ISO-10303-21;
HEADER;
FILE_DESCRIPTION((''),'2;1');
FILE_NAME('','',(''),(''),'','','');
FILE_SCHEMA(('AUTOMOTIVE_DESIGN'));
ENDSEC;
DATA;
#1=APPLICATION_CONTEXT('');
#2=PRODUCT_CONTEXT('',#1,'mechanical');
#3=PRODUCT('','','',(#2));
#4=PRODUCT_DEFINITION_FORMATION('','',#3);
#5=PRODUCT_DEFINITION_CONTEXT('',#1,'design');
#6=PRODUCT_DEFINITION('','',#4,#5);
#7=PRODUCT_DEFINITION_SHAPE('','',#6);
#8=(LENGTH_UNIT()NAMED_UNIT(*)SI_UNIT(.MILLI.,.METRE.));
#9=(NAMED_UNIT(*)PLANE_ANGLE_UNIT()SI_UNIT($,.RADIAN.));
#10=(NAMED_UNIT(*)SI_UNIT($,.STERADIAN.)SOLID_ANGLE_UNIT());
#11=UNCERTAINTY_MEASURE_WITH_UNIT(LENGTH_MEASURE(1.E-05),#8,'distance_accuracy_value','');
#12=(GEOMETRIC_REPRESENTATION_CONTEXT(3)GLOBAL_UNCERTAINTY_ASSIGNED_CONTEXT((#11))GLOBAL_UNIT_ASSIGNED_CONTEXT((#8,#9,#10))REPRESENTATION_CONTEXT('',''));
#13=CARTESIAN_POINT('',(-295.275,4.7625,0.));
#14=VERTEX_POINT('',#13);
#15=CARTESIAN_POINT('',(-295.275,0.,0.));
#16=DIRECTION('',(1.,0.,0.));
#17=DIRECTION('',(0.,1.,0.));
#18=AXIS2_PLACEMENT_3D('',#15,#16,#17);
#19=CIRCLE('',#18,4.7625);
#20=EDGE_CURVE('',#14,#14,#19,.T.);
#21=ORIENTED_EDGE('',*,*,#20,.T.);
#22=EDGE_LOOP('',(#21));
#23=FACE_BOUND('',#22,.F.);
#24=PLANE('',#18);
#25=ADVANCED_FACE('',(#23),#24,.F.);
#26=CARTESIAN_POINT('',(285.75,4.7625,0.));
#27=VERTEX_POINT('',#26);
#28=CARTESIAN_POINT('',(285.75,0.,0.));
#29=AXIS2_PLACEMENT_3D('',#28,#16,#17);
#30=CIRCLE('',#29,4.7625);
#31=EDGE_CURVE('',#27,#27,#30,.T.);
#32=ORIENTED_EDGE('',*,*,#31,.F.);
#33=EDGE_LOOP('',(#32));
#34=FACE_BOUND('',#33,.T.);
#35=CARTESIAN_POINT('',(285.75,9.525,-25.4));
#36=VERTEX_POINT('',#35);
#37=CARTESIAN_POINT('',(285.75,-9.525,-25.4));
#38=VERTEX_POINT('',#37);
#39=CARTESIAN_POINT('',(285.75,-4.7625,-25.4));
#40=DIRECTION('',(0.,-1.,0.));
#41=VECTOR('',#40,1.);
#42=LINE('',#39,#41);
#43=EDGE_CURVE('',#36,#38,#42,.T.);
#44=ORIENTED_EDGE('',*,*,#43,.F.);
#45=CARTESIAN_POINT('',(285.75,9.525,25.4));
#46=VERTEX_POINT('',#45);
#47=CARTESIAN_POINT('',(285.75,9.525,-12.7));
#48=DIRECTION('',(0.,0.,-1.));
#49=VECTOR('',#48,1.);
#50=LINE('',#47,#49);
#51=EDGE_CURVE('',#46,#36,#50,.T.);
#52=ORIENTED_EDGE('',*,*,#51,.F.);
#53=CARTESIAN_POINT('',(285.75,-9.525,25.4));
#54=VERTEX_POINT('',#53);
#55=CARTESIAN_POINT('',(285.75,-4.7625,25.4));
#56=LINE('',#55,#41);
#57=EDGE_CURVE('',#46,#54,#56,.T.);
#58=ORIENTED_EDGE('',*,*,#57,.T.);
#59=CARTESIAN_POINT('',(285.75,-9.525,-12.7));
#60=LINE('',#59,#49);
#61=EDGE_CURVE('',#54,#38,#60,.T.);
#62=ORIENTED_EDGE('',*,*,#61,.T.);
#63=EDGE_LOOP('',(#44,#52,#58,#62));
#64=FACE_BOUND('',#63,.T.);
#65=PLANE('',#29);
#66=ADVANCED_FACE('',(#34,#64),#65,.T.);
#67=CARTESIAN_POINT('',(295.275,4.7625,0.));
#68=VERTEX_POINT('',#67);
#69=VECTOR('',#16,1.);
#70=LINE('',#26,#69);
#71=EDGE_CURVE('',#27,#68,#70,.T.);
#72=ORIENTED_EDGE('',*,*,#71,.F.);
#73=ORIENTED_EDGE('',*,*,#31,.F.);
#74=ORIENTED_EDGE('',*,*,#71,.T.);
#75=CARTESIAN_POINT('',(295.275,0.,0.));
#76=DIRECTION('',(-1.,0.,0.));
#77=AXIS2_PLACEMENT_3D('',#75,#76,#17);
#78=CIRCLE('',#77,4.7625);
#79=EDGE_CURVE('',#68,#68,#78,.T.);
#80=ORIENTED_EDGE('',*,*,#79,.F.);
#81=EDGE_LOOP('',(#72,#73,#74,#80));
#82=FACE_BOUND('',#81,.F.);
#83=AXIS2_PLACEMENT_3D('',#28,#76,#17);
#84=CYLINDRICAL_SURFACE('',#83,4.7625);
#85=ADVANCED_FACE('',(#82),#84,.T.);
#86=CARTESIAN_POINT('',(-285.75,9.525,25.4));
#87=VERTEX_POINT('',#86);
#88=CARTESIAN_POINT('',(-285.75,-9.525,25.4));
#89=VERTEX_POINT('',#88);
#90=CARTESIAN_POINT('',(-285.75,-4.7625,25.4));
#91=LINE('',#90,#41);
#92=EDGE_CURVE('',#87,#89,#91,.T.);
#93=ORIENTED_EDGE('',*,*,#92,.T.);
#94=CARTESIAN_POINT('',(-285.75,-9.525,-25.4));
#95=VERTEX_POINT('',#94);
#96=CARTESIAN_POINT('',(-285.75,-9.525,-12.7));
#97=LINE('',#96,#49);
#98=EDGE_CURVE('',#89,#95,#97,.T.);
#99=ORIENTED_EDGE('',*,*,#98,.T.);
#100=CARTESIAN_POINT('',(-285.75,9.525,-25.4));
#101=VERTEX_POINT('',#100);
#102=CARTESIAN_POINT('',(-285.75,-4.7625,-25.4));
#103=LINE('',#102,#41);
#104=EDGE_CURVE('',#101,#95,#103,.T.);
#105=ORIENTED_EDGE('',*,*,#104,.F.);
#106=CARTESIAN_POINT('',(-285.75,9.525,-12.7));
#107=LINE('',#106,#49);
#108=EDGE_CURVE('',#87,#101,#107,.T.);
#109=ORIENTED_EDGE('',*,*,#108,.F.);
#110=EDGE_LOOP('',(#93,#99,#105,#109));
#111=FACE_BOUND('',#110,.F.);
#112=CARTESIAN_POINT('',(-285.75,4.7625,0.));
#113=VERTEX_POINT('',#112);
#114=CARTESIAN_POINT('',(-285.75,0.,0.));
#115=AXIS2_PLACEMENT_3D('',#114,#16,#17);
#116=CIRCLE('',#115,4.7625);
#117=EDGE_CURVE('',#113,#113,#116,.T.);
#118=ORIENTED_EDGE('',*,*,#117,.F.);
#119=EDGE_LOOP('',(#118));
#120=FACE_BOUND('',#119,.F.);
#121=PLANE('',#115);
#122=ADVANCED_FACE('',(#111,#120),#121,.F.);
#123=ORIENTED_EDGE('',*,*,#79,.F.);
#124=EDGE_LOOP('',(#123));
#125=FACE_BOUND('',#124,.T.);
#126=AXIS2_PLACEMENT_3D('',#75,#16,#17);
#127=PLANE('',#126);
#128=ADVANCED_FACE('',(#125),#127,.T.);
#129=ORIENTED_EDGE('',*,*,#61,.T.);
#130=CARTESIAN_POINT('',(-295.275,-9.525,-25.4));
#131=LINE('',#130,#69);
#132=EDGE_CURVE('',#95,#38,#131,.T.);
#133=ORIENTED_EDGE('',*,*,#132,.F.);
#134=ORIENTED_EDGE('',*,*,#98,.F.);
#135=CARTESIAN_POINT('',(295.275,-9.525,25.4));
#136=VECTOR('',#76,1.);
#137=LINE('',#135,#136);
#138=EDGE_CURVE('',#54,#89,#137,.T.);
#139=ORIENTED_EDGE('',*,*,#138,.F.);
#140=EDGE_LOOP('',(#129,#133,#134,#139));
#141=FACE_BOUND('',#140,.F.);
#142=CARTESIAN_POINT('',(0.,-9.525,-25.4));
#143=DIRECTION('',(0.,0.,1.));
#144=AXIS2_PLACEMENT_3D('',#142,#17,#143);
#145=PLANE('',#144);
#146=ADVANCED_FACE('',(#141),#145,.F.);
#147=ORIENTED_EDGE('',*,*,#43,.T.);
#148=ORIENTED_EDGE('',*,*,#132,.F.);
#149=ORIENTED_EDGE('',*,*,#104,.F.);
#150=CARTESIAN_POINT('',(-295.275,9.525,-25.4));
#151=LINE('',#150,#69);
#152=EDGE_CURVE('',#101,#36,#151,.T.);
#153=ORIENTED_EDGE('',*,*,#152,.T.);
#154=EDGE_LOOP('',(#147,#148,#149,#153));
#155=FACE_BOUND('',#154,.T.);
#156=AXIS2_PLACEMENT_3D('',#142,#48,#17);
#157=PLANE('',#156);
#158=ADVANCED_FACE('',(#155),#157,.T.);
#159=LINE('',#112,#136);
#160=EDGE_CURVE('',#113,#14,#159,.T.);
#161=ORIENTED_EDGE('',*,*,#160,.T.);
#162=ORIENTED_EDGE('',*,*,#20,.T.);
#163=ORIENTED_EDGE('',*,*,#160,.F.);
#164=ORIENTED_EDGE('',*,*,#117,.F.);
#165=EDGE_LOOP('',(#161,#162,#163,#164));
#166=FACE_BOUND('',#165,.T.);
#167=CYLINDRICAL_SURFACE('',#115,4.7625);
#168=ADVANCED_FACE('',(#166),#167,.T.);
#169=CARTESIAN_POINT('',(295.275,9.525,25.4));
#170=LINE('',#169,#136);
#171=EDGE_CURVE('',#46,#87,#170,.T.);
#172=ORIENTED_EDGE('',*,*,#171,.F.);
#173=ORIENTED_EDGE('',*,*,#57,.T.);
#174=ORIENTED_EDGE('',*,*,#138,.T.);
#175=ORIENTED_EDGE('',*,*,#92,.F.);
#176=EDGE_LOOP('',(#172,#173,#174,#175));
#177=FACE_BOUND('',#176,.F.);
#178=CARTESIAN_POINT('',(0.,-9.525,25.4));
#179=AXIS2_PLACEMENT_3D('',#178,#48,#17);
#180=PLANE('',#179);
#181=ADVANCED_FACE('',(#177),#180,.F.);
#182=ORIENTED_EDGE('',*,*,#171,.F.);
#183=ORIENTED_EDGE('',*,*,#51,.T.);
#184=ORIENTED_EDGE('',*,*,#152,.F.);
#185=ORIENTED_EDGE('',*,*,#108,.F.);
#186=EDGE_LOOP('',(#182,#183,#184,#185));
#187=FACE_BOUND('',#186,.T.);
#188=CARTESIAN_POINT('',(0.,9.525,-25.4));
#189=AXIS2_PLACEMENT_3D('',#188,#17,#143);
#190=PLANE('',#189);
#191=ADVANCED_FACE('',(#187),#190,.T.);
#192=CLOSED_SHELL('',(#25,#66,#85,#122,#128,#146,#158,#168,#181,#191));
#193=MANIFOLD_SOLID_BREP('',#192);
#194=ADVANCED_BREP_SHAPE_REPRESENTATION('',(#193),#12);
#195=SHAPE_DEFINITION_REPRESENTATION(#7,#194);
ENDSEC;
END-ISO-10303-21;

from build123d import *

# Parameters (mm, degrees)
F0_W     = 19.05
F0_H     = 50.8
F1_DEPTH = 295.275
F3_W     = 73.66158
F3_H     = 70.153892
F3_R     = 4.7625
F4_DEPTH = 9.526
F6_W     = 59.882906
F6_H     = 61.81458
F6_R     = 4.7625
F7_DEPTH = 9.525


with BuildPart() as f1:
    # F0 (on Right) → F1 (new body, symmetric)
    with BuildSketch(Plane.YZ):
        Rectangle(F0_W, F0_H)
    extrude(amount=F1_DEPTH, both=True)

    # F3 (on offset) → F4 (cut, through all)
    with BuildSketch(Plane.YZ.offset(285.75)):
        Rectangle(F3_W, F3_H)
        Circle(F3_R, mode=Mode.SUBTRACT)
    extrude(amount=F4_DEPTH, mode=Mode.SUBTRACT)

    # F6 (on offset) → F7 (cut)
    with BuildSketch(Plane.YZ.offset(-285.75)):
        Rectangle(F6_W, F6_H)
        Circle(F6_R, mode=Mode.SUBTRACT)
    extrude(amount=-F7_DEPTH, mode=Mode.SUBTRACT)


solid = f1.part
